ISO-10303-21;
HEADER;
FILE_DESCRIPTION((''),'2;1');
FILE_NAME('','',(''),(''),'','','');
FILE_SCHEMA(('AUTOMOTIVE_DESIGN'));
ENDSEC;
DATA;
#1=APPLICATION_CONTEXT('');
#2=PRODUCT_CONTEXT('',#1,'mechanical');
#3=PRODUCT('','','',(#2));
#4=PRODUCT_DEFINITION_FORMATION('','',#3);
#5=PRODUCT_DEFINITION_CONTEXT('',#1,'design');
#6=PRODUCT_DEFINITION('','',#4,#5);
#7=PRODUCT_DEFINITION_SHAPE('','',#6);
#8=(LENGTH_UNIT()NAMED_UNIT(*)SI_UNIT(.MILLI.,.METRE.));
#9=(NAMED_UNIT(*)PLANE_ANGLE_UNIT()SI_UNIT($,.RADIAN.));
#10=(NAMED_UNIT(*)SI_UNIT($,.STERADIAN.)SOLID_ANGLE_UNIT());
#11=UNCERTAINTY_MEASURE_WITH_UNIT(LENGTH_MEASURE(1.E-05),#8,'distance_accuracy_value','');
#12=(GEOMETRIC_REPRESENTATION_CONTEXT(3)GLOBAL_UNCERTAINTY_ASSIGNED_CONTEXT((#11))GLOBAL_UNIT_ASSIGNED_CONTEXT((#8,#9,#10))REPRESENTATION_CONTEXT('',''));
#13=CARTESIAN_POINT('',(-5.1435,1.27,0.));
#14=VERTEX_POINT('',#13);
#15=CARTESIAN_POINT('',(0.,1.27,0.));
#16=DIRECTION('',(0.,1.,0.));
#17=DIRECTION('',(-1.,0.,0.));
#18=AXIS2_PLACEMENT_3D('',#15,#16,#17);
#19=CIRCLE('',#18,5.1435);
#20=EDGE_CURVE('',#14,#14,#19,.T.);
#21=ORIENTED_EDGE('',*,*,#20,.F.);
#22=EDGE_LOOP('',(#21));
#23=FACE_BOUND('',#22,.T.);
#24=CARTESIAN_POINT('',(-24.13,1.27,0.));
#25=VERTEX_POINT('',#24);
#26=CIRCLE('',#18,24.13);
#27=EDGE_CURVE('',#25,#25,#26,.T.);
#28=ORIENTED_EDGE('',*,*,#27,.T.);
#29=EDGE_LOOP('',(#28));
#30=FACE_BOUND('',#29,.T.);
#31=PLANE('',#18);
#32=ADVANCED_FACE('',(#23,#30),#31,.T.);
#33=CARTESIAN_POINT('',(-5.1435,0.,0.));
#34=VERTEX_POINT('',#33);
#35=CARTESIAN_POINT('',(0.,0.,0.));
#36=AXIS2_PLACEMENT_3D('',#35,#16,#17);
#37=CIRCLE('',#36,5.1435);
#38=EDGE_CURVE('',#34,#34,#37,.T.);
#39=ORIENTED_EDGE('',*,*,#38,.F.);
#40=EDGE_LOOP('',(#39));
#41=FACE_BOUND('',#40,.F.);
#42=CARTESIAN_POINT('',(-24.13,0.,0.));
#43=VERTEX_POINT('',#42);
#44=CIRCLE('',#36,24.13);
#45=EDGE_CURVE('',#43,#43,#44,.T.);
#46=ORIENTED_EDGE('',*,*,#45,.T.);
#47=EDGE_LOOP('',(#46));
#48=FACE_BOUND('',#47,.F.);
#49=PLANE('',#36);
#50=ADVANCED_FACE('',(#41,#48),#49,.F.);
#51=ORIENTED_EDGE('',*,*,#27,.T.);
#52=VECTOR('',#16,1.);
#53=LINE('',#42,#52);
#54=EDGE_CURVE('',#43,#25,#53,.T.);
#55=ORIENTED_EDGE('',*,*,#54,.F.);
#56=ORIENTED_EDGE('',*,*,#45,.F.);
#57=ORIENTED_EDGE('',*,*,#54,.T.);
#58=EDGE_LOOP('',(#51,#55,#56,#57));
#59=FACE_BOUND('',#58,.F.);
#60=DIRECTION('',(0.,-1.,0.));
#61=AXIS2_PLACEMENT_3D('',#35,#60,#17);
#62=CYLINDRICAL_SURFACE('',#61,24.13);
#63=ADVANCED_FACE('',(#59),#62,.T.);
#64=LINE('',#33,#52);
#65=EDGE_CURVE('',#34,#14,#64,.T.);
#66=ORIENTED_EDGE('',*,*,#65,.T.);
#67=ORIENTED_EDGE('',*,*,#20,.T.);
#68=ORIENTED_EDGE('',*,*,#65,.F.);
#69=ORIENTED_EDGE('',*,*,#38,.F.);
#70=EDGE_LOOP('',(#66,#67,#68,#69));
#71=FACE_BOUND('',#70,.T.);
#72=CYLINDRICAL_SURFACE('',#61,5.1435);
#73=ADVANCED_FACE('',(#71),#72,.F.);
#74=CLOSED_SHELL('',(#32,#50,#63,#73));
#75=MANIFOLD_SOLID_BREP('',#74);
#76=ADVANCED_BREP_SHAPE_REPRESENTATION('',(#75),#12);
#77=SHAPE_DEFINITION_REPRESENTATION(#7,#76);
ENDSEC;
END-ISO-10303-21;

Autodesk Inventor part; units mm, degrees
ref_plane "YZ Plane" through (0, 0, 0) normal (1, 0, 0) x (0, 1, 0)
ref_plane "XZ Plane" through (0, 0, 0) normal (0, 1, 0) x (-1, 0, 0)
ref_plane "XY Plane" through (0, 0, 0) normal (0, 0, 1) x (1, 0, 0)
sketch "Sketch1" plane through (0, 0, 0) normal (0, 1, 0) x (-1, 0, 0)
  circle A0 centre (0, 0) radius 24.13
  circle A1 centre (0, 0) radius 5.1435
  dimension "d0" = 48.26
  dimension "d1" = 10.287
extrude "Extrusion1" add sketch "Sketch1" along normal blind 1.27
properties part number "JoyStick Cover"
